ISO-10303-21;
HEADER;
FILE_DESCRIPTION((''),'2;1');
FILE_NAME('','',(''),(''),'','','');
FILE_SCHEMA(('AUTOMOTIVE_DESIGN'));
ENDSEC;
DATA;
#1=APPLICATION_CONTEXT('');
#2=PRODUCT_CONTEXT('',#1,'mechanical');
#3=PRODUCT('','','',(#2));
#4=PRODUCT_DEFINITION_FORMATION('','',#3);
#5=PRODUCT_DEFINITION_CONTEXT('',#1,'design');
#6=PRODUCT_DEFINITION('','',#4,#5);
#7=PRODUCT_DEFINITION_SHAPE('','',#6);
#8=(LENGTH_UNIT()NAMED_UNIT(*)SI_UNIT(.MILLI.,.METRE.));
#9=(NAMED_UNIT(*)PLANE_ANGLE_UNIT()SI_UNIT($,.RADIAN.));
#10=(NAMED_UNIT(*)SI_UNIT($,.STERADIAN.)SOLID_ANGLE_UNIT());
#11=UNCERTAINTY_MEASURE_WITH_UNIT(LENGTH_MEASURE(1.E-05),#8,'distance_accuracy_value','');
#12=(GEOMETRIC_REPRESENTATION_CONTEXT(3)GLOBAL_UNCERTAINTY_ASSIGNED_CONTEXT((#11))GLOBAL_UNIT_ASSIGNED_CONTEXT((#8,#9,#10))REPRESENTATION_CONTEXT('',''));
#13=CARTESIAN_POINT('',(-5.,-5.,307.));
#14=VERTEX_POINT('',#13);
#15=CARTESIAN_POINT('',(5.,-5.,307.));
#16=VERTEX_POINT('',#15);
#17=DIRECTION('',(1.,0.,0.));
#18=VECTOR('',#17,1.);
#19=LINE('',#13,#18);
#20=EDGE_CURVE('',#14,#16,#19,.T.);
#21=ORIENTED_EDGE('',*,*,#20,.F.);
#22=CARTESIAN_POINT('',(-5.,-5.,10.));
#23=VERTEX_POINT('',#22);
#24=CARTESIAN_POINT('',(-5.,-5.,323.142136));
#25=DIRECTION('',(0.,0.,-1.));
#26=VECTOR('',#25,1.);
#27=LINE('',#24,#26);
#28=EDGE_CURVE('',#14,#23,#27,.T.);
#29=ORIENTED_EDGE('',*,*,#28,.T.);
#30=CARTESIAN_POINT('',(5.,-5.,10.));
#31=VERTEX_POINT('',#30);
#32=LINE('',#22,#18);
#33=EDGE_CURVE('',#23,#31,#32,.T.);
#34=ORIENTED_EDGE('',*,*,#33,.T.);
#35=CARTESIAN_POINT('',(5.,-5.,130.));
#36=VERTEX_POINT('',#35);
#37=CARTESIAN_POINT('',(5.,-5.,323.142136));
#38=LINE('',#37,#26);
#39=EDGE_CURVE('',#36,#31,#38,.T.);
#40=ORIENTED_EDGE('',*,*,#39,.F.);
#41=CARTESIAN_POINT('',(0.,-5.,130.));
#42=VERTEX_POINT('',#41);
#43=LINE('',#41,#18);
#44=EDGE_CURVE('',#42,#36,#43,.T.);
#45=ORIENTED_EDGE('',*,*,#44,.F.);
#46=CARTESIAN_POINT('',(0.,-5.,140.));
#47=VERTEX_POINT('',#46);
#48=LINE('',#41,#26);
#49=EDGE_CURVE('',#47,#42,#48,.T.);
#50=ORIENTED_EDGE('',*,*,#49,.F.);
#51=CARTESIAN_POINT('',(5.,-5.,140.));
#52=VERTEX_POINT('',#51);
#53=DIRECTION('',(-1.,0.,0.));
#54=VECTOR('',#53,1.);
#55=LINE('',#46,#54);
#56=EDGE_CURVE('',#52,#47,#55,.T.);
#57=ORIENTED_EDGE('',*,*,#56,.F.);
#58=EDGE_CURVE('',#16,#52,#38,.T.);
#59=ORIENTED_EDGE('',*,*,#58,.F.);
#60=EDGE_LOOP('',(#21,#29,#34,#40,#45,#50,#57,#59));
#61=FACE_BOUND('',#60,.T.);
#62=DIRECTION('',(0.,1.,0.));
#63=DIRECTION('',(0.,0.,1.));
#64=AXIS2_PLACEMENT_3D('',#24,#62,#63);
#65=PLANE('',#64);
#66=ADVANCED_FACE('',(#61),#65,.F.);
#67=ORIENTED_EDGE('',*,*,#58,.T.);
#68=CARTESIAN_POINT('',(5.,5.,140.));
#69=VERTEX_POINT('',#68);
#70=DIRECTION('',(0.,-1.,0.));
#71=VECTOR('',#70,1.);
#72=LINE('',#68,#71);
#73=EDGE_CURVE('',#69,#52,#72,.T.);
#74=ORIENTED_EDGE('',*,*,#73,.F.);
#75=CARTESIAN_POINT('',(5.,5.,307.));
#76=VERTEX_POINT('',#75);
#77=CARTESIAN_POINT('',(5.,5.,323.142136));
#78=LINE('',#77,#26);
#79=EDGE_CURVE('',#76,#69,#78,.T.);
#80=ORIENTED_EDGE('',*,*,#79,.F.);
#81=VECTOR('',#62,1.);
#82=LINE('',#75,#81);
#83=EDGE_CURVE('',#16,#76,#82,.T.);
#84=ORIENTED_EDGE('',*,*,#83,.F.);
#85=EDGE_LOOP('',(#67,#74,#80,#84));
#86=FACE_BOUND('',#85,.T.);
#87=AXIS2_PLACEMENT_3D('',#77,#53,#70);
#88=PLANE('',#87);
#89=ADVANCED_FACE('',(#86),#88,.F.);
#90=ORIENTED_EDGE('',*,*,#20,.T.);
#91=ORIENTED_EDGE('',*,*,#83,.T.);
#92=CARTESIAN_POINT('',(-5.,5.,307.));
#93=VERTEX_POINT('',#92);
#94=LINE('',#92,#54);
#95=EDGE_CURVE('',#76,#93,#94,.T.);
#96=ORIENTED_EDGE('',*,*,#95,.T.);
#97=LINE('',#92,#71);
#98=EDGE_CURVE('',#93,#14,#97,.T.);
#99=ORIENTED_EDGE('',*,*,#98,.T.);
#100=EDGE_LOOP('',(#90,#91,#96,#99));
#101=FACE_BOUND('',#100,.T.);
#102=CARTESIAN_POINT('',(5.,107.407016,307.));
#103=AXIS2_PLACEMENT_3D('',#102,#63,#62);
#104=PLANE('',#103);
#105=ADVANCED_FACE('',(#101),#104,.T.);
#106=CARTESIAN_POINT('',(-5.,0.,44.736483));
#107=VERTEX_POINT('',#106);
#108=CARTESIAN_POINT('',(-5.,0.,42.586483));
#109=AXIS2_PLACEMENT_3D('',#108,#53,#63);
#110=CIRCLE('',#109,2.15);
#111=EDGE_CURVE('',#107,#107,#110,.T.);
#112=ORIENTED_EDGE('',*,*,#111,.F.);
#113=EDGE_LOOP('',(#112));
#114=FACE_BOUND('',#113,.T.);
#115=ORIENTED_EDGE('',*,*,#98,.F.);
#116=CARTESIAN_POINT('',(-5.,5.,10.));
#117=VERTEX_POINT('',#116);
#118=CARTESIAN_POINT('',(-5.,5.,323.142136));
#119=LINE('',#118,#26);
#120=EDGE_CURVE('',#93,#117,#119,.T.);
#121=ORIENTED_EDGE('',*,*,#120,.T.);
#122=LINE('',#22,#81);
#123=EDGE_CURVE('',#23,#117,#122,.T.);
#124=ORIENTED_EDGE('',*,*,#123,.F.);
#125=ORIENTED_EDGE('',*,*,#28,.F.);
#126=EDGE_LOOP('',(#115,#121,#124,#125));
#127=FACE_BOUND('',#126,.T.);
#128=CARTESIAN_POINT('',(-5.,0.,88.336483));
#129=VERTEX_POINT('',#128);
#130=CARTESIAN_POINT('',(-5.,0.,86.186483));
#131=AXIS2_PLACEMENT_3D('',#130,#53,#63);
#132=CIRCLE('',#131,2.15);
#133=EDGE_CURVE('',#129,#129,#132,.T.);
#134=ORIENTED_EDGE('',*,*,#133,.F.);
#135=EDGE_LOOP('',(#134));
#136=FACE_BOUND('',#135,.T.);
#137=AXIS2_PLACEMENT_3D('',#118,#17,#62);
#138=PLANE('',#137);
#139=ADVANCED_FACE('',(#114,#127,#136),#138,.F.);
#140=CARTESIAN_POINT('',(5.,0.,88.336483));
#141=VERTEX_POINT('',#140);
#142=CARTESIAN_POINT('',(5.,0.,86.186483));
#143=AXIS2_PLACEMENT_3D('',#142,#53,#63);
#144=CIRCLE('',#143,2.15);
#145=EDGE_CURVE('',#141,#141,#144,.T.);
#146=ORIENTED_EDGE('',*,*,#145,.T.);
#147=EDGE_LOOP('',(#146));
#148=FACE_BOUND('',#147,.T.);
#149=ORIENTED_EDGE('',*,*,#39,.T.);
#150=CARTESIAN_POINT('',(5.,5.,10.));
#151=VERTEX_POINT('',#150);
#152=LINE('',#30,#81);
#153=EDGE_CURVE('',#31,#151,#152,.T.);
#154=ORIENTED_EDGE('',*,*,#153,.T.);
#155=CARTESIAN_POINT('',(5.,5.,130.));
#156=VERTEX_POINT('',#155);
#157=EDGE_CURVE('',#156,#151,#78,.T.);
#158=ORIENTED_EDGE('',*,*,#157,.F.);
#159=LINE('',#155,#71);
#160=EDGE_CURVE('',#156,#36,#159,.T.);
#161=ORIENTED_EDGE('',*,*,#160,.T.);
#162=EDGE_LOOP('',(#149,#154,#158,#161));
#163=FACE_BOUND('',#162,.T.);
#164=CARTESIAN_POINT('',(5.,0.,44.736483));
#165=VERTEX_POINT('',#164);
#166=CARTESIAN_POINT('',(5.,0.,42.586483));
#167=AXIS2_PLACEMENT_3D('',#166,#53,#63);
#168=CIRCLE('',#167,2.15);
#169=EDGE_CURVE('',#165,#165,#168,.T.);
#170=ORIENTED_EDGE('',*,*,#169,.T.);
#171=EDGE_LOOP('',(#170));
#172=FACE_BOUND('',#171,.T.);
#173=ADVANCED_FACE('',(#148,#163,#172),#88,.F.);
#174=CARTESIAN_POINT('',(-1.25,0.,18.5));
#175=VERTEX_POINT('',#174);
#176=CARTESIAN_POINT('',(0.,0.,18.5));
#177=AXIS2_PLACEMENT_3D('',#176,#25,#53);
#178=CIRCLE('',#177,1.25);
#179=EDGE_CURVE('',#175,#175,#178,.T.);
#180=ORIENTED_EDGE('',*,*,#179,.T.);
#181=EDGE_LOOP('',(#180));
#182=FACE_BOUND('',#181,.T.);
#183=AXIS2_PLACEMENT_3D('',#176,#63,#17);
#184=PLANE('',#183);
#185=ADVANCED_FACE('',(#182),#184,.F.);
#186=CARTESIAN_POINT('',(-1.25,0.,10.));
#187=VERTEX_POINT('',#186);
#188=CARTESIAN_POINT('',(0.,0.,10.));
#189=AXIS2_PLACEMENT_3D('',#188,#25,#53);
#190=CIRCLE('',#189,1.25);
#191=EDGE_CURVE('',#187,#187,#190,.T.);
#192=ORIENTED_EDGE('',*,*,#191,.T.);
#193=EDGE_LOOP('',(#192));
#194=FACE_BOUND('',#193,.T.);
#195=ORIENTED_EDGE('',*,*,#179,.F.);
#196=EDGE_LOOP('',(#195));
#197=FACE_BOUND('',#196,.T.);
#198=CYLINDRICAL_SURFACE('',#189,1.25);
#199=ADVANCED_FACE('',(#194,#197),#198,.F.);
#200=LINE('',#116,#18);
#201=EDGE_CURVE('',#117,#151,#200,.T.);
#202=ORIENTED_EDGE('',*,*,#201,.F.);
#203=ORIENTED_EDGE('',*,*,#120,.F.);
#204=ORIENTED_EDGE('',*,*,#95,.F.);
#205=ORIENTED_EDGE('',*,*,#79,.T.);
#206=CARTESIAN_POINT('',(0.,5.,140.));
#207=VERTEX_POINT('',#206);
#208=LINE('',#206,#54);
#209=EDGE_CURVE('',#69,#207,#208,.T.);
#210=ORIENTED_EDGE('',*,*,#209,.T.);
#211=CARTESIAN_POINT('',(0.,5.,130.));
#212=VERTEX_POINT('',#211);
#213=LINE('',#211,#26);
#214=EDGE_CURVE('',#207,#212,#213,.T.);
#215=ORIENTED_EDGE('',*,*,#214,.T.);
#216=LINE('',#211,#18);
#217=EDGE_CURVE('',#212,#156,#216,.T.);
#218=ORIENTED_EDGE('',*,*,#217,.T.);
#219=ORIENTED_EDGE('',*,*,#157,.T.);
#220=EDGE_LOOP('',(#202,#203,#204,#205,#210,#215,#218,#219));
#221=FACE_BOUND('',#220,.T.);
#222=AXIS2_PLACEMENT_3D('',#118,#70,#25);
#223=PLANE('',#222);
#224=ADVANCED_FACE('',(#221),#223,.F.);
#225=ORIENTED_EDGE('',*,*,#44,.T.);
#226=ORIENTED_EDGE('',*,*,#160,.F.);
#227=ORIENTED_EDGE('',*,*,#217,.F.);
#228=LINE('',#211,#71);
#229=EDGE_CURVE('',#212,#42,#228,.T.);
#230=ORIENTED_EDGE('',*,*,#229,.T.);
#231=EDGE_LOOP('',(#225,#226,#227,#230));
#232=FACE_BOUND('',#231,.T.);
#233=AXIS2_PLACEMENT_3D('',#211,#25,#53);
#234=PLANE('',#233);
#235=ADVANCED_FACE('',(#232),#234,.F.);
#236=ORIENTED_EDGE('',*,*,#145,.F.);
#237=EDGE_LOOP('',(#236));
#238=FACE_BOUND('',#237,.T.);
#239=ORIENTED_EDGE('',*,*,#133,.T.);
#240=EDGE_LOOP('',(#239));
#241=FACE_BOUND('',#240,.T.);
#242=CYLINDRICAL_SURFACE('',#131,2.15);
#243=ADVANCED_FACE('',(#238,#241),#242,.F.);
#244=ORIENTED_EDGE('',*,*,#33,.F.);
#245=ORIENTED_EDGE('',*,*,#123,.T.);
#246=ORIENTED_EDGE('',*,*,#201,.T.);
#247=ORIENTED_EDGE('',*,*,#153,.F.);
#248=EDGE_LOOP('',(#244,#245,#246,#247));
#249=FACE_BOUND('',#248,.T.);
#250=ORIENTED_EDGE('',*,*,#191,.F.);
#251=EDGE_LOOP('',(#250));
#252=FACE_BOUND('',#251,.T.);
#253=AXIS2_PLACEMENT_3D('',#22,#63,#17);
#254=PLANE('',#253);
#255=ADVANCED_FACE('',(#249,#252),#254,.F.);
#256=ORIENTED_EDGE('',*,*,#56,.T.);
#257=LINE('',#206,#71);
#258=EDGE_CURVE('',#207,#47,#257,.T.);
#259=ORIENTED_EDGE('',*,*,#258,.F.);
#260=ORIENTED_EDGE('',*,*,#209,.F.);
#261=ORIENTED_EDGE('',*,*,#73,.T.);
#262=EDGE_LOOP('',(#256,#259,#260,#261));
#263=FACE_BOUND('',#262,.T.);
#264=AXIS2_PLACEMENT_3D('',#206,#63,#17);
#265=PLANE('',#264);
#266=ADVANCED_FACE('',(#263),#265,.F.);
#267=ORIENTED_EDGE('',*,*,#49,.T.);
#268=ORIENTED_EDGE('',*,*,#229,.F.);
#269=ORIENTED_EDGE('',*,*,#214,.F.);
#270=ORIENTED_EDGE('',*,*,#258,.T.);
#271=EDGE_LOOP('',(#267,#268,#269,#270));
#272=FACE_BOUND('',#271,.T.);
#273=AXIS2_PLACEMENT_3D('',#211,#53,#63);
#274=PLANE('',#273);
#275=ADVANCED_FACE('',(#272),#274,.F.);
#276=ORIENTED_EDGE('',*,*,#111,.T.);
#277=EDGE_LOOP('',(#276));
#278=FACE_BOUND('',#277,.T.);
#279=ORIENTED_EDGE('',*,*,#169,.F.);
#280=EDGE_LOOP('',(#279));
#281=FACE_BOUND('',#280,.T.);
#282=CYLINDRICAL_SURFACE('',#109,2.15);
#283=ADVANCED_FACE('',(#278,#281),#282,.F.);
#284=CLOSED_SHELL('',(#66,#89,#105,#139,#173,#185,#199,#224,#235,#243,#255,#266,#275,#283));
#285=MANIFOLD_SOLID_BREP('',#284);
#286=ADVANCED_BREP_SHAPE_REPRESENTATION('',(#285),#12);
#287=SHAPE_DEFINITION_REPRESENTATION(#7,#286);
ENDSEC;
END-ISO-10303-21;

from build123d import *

# Parameters (mm, degrees)
ESQUISSE1_W                  = 10
ESQUISSE1_H                  = 10
BOSS_EXTRU_1_DEPTH           = 307
ENL_V_MAT_EXTRU_1_DEPTH      = 308.081422427
ENL_V_MAT_EXTRU_1_DEPTH_BACK = 308.081422427
ESQUISSE2_W                  = 10
ESQUISSE2_H                  = 10
ESQUISSE3_W                  = 5
ESQUISSE3_H                  = 10
ENL_V_MAT_EXTRU_2_DEPTH      = 308.203515605
D_GAGEMENT_M41_D             = 4.3
TROU_TARAUD_M3X0_51_D        = 2.5
TROU_TARAUD_M3X0_51_DEPTH    = 8.5


with BuildPart() as part:
    # Esquisse1 → Boss.-Extru.1 (new body)
    with BuildSketch(Plane.XY):
        Rectangle(ESQUISSE1_W, ESQUISSE1_H)
    extrude(amount=BOSS_EXTRU_1_DEPTH)

    # Esquisse2 → Enlèv. mat.-Extru.1 (cut, two sides: drawn at the far end of the back side and taken through both)
    with BuildSketch(Plane(origin=(0, 0, 0), x_dir=(1, 0, 0), z_dir=(0, 1, 0)).offset(-ENL_V_MAT_EXTRU_1_DEPTH_BACK)):
        with Locations((0, -5)):
            Rectangle(ESQUISSE2_W, ESQUISSE2_H)
    extrude(amount=ENL_V_MAT_EXTRU_1_DEPTH + ENL_V_MAT_EXTRU_1_DEPTH_BACK, mode=Mode.SUBTRACT)

    # Esquisse3 → Enlèv. mat.-Extru.2 (cut, through all)
    with BuildSketch(Plane.XZ.offset(5)):
        with Locations((2.5, 135)):
            Rectangle(ESQUISSE3_W, ESQUISSE3_H)
    extrude(amount=-ENL_V_MAT_EXTRU_2_DEPTH, mode=Mode.SUBTRACT)

    # Dégagement M41 (through all)
    with Locations(Plane.ZY.offset(5)):
        with Locations((86.186482928, 0), (42.586482928, 0)):
            Hole(D_GAGEMENT_M41_D / 2)

    # Trou taraudé M3x0.51
    with Locations(Plane(origin=(0, 0, 10), x_dir=(-1, 0, 0), z_dir=(0, 0, -1))):
        with Locations((0, 0)):
            Hole(TROU_TARAUD_M3X0_51_D / 2, depth=TROU_TARAUD_M3X0_51_DEPTH)


solid = part.part
